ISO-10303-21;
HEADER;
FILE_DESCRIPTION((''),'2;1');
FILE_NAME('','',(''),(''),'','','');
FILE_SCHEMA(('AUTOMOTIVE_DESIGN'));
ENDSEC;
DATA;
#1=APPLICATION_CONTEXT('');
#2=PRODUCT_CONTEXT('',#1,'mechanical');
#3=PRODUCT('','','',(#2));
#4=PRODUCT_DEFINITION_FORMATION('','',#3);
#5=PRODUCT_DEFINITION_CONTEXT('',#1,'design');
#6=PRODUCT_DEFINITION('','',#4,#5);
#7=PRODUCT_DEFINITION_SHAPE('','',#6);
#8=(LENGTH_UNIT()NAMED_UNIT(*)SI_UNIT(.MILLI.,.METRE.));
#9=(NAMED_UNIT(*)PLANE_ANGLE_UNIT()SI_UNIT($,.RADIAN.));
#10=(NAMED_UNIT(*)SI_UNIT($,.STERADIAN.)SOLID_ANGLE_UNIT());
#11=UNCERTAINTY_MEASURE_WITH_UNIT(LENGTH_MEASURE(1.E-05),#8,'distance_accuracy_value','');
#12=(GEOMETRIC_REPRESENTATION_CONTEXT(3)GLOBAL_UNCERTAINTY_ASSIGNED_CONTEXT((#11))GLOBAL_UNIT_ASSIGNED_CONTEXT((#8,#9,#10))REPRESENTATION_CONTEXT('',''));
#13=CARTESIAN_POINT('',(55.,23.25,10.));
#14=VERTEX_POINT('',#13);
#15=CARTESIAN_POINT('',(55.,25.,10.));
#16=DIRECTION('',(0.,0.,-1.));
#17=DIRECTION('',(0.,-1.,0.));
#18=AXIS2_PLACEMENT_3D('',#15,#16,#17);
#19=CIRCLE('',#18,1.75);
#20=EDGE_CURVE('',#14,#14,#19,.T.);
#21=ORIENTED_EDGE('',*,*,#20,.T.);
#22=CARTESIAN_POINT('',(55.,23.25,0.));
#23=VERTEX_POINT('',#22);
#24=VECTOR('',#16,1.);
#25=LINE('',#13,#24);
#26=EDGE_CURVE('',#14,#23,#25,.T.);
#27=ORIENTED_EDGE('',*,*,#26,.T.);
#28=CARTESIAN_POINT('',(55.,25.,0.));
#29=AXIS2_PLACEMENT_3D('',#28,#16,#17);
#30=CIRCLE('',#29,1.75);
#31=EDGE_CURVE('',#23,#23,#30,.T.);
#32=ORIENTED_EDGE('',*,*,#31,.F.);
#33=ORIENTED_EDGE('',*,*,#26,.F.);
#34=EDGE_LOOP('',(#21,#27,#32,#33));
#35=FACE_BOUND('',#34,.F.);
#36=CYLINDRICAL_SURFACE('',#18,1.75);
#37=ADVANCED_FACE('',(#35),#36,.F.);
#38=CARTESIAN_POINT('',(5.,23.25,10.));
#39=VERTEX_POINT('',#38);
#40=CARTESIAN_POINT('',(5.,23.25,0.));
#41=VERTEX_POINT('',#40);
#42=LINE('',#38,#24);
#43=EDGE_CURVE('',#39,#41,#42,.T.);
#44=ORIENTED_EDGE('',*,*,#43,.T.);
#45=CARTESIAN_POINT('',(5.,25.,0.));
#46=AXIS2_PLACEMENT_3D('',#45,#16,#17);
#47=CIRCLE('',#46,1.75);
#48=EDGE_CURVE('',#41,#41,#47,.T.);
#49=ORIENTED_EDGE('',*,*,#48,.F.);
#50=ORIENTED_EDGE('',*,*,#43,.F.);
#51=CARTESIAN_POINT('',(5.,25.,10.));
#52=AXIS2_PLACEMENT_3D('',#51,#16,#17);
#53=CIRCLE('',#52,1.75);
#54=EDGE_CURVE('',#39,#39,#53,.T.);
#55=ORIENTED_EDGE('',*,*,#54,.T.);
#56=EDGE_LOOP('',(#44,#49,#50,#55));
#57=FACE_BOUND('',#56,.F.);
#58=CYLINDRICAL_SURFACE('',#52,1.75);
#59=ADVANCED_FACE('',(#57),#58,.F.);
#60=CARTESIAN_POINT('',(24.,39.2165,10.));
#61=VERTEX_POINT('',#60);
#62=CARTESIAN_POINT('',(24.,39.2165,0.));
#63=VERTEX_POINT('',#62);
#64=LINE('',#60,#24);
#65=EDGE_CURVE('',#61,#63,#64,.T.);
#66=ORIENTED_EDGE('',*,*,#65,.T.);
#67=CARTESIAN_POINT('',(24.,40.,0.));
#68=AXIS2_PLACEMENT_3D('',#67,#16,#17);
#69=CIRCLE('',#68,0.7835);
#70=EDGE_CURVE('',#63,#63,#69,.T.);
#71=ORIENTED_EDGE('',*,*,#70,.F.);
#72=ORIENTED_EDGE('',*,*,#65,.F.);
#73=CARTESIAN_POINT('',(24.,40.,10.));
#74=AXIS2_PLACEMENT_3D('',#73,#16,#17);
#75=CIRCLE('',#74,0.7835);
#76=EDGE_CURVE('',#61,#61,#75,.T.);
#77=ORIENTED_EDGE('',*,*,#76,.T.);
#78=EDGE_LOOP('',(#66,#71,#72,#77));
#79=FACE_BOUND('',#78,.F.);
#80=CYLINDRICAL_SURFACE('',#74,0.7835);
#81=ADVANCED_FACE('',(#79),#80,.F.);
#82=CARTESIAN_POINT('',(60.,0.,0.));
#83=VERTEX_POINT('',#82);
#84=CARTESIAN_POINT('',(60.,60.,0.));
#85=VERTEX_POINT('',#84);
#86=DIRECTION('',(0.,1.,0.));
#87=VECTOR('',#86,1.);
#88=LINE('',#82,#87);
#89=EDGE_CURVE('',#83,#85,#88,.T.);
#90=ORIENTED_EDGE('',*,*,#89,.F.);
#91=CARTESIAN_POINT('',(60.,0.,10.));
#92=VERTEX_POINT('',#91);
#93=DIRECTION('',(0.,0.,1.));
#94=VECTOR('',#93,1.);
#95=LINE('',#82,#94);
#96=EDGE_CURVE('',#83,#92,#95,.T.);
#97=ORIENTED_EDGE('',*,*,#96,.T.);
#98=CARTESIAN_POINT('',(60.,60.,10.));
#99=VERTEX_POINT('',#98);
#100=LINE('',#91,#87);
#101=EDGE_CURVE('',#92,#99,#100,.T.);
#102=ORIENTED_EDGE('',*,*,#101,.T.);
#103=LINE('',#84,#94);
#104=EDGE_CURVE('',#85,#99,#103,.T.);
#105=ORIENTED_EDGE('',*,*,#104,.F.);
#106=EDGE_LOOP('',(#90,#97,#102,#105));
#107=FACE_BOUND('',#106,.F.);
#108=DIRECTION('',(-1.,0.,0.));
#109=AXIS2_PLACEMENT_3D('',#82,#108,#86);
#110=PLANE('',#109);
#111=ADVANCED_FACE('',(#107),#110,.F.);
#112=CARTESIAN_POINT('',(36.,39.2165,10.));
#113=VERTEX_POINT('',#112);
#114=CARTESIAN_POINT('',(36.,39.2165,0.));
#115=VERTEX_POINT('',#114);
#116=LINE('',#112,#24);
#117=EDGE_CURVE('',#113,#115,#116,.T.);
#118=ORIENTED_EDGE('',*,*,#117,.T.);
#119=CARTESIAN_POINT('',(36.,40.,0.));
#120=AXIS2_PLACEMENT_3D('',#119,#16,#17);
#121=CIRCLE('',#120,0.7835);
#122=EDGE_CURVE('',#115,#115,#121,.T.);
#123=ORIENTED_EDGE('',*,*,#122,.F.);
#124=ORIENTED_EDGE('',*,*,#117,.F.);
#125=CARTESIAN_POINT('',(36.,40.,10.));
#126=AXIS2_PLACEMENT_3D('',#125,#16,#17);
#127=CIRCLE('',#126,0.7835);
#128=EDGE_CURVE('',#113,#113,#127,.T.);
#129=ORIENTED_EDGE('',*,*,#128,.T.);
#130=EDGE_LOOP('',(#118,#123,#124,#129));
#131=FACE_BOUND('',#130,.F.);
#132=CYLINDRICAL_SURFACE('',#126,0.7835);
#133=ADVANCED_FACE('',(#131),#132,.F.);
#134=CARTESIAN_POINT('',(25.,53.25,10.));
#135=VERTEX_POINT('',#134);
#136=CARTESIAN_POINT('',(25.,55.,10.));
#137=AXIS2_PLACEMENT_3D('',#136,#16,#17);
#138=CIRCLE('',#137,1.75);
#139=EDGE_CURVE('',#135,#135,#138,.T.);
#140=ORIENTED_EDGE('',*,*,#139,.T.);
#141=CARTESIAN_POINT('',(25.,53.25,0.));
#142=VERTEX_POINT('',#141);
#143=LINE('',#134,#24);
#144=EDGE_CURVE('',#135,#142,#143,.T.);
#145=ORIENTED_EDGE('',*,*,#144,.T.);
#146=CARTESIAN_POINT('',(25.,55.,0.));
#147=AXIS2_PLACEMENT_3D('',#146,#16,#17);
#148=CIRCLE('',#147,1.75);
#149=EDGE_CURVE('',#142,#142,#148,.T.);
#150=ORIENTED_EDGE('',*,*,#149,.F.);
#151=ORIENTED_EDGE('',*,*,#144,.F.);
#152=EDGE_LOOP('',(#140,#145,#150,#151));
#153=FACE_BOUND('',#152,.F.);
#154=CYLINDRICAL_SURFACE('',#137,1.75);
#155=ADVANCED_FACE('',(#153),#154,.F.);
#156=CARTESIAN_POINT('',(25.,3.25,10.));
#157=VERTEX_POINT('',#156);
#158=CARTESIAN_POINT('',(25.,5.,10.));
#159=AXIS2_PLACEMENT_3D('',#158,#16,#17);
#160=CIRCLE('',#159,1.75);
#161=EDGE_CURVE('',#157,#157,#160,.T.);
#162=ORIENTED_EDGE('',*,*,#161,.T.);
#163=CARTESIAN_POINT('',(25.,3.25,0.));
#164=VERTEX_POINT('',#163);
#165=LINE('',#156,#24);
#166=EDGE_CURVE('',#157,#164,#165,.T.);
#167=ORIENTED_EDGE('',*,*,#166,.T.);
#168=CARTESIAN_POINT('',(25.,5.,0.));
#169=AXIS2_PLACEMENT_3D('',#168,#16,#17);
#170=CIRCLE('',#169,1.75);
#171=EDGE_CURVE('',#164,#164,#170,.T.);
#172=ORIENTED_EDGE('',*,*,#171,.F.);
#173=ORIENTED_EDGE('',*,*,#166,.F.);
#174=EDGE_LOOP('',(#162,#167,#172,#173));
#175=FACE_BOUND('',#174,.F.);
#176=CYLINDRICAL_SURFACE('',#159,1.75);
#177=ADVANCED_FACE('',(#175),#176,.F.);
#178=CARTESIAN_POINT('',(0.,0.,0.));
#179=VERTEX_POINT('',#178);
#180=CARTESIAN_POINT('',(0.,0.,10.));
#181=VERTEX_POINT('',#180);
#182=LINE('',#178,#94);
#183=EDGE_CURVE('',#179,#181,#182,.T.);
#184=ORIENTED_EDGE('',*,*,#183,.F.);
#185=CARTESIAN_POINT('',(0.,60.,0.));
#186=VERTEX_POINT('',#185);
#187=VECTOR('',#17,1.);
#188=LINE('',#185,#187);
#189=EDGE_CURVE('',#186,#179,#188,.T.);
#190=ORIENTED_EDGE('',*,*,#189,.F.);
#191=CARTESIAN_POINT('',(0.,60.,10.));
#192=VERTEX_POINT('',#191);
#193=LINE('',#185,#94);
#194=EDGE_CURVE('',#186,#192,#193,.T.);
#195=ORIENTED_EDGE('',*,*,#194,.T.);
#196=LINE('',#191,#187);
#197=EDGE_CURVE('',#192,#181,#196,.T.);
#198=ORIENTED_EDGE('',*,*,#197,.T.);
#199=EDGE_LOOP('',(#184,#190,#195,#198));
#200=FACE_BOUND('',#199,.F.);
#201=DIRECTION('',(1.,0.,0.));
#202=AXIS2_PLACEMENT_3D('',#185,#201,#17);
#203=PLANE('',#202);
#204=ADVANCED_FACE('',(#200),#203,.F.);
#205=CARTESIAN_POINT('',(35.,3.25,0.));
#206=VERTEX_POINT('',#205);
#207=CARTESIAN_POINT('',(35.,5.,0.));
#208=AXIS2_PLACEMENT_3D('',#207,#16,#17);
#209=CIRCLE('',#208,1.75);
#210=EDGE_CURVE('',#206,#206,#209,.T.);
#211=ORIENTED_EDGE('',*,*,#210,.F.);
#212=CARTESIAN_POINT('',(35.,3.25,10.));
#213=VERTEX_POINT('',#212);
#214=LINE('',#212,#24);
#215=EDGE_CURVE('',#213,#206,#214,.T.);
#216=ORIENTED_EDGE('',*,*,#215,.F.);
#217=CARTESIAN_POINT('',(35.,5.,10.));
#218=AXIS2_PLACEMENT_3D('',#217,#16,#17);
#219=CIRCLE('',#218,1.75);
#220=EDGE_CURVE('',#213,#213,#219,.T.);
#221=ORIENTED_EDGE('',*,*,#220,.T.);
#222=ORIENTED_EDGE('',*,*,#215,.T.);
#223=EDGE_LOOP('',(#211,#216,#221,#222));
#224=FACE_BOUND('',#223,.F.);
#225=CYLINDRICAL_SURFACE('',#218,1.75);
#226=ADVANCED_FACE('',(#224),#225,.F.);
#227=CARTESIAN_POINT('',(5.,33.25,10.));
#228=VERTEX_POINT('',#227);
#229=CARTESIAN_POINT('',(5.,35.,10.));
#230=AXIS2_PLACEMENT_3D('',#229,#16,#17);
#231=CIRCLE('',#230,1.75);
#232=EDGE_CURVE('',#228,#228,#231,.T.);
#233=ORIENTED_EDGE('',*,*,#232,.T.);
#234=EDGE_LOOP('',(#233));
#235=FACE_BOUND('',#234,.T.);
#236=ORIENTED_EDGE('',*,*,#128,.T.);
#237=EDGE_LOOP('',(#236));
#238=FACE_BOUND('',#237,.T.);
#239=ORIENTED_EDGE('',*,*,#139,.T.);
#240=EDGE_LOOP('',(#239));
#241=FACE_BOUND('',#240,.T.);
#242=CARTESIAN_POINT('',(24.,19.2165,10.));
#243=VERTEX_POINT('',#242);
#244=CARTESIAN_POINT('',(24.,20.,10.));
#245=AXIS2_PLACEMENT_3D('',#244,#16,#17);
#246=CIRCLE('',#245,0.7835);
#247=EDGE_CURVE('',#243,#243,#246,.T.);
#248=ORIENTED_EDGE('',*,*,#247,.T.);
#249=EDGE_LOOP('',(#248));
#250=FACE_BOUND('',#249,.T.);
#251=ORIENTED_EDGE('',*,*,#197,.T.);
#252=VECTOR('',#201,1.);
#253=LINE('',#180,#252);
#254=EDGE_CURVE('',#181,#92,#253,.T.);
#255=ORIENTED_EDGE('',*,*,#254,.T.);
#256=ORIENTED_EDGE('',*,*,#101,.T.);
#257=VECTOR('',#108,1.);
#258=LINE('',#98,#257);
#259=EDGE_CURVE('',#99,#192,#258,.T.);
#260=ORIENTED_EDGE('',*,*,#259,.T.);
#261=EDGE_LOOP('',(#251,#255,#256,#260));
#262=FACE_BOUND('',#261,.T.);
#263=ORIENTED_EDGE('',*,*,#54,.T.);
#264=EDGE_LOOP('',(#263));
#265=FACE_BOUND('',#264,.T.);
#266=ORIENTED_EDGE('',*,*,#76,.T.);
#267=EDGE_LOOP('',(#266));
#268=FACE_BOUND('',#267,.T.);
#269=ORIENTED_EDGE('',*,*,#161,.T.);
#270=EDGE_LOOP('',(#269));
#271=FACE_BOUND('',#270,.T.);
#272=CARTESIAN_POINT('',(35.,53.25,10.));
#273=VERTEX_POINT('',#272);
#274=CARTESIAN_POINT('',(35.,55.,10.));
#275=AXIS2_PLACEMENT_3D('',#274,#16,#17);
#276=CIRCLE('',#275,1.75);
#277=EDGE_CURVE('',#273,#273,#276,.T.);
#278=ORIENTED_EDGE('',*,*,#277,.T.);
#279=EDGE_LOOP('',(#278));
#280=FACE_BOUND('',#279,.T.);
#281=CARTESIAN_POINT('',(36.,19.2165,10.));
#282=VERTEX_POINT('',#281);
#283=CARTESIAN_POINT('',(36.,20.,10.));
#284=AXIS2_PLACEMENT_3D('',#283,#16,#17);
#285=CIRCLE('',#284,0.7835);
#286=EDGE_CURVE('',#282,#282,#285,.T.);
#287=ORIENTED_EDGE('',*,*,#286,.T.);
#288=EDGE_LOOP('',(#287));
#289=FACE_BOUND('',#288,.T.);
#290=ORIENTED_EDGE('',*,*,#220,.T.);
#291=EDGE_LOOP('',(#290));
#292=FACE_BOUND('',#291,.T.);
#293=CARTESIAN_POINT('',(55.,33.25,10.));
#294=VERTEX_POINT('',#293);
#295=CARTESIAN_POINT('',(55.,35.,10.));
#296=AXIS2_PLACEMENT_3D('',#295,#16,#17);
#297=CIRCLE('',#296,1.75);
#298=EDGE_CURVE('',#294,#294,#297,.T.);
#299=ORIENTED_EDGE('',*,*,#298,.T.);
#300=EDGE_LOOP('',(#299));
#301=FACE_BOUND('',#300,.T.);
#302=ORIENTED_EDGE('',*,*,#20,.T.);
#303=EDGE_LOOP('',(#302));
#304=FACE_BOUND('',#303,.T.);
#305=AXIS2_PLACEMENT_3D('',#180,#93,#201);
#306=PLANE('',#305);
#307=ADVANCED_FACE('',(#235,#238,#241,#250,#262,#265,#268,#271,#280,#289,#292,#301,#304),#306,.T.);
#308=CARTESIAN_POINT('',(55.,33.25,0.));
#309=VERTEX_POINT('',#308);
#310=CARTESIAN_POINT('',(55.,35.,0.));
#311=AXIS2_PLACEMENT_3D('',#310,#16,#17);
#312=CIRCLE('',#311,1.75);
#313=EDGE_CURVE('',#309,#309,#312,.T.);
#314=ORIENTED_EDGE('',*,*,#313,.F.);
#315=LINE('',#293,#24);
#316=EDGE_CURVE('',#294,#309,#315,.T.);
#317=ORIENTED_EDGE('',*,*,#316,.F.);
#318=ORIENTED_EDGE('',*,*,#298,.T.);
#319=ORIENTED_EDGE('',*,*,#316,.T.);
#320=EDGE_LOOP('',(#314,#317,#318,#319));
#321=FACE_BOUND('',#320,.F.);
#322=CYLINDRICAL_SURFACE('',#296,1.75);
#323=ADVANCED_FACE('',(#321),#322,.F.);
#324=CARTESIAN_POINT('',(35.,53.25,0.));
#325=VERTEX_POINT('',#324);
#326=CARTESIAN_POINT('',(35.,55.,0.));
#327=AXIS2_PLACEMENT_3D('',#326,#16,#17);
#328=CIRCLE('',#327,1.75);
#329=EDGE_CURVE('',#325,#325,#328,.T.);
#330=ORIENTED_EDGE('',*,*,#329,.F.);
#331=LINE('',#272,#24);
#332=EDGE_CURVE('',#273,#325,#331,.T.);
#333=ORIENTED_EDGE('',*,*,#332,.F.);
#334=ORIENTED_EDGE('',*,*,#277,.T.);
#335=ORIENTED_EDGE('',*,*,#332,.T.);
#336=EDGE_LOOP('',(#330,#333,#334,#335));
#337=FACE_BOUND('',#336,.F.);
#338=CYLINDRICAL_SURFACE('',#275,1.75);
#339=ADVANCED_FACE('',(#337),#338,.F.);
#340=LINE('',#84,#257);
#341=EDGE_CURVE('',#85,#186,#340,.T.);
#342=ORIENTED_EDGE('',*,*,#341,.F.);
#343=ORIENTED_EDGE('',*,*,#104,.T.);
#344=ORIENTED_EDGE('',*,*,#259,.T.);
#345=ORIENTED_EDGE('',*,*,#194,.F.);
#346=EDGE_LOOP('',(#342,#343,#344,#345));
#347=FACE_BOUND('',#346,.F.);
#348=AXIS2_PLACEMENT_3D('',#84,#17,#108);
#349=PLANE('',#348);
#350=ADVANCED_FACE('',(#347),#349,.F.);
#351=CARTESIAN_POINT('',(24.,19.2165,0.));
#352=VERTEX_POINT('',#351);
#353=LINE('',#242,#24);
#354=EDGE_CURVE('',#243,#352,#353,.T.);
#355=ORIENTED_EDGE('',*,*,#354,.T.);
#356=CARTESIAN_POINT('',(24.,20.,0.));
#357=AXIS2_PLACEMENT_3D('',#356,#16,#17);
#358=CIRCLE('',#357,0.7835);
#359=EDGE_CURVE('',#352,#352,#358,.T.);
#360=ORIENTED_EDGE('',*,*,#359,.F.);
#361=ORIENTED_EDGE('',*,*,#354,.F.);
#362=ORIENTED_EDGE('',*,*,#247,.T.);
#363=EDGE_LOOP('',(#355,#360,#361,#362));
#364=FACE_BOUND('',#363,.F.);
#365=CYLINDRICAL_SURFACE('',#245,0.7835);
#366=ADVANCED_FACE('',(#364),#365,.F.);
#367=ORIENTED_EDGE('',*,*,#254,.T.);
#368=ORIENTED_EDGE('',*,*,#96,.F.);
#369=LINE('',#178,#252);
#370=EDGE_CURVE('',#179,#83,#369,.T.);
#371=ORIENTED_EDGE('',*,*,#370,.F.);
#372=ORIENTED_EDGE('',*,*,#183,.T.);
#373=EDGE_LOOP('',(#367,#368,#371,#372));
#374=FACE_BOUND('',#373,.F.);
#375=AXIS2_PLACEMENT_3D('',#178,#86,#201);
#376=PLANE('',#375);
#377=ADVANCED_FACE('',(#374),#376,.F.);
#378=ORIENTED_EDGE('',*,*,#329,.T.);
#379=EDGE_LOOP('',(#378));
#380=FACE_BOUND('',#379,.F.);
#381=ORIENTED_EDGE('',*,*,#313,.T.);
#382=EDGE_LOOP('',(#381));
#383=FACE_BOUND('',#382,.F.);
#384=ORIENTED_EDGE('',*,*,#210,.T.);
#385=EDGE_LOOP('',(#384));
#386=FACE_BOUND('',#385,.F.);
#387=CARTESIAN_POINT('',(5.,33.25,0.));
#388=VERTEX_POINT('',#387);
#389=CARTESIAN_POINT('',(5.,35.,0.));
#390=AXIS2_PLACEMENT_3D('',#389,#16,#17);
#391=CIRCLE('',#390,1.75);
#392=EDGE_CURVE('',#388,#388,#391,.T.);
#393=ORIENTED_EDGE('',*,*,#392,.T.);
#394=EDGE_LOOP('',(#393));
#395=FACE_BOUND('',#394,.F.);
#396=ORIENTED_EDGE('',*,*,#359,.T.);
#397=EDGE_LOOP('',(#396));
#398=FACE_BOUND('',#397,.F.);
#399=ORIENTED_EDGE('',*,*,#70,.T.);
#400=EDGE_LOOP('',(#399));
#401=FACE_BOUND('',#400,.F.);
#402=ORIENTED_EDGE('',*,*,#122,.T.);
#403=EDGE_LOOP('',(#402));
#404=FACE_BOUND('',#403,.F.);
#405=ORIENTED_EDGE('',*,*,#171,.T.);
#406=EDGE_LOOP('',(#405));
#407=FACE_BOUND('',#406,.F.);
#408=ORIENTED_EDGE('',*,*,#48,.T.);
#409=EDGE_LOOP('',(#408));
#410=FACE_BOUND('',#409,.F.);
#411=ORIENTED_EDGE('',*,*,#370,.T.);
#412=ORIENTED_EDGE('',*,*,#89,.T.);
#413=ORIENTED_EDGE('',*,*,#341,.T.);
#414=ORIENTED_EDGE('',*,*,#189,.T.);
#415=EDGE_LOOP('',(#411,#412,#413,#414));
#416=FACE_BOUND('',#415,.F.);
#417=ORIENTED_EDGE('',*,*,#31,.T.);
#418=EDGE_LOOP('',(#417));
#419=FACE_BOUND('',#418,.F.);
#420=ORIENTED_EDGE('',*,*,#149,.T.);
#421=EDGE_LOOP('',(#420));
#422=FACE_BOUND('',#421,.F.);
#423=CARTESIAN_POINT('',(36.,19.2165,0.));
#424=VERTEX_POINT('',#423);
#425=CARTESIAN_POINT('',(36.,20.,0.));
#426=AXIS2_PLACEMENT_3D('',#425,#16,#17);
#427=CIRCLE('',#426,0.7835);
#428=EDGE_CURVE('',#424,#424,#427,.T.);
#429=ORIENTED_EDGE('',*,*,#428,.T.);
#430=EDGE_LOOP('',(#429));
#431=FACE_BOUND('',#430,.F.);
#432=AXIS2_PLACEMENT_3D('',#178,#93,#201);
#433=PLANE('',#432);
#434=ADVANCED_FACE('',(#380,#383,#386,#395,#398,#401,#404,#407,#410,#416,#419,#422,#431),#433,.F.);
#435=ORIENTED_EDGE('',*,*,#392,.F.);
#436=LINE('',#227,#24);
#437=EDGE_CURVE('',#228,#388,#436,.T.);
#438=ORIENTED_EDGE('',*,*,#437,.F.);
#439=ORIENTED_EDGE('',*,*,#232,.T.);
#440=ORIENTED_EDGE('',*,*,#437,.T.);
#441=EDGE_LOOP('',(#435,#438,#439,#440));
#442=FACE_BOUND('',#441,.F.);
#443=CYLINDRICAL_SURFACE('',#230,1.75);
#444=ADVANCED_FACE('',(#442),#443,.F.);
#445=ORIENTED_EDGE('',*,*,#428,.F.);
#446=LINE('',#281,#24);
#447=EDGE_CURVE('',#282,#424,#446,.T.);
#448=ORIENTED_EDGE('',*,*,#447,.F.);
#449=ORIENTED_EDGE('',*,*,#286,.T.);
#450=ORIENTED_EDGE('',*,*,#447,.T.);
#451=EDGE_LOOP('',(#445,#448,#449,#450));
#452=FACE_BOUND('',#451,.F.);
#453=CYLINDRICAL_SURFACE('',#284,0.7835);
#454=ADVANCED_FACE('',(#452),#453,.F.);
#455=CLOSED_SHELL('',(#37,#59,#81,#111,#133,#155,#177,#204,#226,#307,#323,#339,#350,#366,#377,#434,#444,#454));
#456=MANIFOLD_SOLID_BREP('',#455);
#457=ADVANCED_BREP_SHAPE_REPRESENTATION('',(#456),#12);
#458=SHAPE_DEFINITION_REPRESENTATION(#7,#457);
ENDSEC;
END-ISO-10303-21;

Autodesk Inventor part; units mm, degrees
ref_plane "YZ Plane" through (0, 0, 0) normal (1, 0, 0) x (0, 1, 0)
ref_plane "XZ Plane" through (0, 0, 0) normal (0, 1, 0) x (-1, 0, 0)
ref_plane "XY Plane" through (0, 0, 0) normal (0, 0, 1) x (1, 0, 0)
sketch "スケッチ1" plane through (0, 0, 0) normal (0, 0, 1) x (1, 0, 0)
  line L0 (0, 0) -> (60, 0)
  line L1 (60, 0) -> (60, 60)
  line L2 (60, 60) -> (0, 60)
  line L3 (0, 60) -> (0, 0)
  dimension "d0" = 60
  dimension "d1" = 60
extrude "押し出し1" add sketch "スケッチ1" along normal blind 10
sketch "スケッチ2" plane through (0, 0, 10) normal (0, 0, 1) x (1, 0, 0)
  line L0 (60, 60) -> (0, 60) projected
  line L1 (60, 0) -> (60, 60) projected
  line L2 (0, 0) -> (60, 0) projected
  line L3 (30, 60) -> (30, 0)
  point P0 (35, 55)
  point P1 (55, 35)
  point P2 (55, 25)
  point P3 (35, 5)
  point P4 (25, 55)
  point P5 (5, 35)
  point P6 (5, 25)
  point P7 (25, 5)
  dimension "d4" = 5
  dimension "d5" = 5
  dimension "d6" = 5
  dimension "d7" = 5
  dimension "d8" = 25
  dimension "d9" = 25
  dimension "d10" = 25
  dimension "d11" = 25
hole "穴1" at (35, 55, 10) at (55, 35, 10) at (55, 25, 10) at (35, 5, 10) at (25, 55, 10) at (5, 35, 10) at (5, 25, 10) at (25, 5, 10) direction (0, 0, -1) diameter 3.5 end through all
sketch "スケッチ8" plane through (0, 0, 10) normal (0, 0, 1) x (1, 0, 0)
  line L0 (60, 60) -> (0, 60) projected
  line L1 (30, 60) -> (30, 0)
  line L2 (0, 0) -> (60, 0) projected
  line L3 (0, 60) -> (0, 0) projected
  line L4 (0, 30) -> (60, 30)
  line L5 (60, 0) -> (60, 60) projected
  point P0 (24, 40)
  point P1 (24, 20)
  point P2 (36, 40)
  point P3 (36, 20)
  dimension "d24" = 12
  dimension "d25" = 20
  dimension "d28" = 20
  dimension "d31" = 12
hole "穴2" at (24, 40, 10) at (24, 20, 10) at (36, 40, 10) at (36, 20, 10) direction (0, 0, -1) diameter 1.567 end through all thread size "M2x0.4" class "6H" standard "ISO Metric profile"
properties part number "土台"
